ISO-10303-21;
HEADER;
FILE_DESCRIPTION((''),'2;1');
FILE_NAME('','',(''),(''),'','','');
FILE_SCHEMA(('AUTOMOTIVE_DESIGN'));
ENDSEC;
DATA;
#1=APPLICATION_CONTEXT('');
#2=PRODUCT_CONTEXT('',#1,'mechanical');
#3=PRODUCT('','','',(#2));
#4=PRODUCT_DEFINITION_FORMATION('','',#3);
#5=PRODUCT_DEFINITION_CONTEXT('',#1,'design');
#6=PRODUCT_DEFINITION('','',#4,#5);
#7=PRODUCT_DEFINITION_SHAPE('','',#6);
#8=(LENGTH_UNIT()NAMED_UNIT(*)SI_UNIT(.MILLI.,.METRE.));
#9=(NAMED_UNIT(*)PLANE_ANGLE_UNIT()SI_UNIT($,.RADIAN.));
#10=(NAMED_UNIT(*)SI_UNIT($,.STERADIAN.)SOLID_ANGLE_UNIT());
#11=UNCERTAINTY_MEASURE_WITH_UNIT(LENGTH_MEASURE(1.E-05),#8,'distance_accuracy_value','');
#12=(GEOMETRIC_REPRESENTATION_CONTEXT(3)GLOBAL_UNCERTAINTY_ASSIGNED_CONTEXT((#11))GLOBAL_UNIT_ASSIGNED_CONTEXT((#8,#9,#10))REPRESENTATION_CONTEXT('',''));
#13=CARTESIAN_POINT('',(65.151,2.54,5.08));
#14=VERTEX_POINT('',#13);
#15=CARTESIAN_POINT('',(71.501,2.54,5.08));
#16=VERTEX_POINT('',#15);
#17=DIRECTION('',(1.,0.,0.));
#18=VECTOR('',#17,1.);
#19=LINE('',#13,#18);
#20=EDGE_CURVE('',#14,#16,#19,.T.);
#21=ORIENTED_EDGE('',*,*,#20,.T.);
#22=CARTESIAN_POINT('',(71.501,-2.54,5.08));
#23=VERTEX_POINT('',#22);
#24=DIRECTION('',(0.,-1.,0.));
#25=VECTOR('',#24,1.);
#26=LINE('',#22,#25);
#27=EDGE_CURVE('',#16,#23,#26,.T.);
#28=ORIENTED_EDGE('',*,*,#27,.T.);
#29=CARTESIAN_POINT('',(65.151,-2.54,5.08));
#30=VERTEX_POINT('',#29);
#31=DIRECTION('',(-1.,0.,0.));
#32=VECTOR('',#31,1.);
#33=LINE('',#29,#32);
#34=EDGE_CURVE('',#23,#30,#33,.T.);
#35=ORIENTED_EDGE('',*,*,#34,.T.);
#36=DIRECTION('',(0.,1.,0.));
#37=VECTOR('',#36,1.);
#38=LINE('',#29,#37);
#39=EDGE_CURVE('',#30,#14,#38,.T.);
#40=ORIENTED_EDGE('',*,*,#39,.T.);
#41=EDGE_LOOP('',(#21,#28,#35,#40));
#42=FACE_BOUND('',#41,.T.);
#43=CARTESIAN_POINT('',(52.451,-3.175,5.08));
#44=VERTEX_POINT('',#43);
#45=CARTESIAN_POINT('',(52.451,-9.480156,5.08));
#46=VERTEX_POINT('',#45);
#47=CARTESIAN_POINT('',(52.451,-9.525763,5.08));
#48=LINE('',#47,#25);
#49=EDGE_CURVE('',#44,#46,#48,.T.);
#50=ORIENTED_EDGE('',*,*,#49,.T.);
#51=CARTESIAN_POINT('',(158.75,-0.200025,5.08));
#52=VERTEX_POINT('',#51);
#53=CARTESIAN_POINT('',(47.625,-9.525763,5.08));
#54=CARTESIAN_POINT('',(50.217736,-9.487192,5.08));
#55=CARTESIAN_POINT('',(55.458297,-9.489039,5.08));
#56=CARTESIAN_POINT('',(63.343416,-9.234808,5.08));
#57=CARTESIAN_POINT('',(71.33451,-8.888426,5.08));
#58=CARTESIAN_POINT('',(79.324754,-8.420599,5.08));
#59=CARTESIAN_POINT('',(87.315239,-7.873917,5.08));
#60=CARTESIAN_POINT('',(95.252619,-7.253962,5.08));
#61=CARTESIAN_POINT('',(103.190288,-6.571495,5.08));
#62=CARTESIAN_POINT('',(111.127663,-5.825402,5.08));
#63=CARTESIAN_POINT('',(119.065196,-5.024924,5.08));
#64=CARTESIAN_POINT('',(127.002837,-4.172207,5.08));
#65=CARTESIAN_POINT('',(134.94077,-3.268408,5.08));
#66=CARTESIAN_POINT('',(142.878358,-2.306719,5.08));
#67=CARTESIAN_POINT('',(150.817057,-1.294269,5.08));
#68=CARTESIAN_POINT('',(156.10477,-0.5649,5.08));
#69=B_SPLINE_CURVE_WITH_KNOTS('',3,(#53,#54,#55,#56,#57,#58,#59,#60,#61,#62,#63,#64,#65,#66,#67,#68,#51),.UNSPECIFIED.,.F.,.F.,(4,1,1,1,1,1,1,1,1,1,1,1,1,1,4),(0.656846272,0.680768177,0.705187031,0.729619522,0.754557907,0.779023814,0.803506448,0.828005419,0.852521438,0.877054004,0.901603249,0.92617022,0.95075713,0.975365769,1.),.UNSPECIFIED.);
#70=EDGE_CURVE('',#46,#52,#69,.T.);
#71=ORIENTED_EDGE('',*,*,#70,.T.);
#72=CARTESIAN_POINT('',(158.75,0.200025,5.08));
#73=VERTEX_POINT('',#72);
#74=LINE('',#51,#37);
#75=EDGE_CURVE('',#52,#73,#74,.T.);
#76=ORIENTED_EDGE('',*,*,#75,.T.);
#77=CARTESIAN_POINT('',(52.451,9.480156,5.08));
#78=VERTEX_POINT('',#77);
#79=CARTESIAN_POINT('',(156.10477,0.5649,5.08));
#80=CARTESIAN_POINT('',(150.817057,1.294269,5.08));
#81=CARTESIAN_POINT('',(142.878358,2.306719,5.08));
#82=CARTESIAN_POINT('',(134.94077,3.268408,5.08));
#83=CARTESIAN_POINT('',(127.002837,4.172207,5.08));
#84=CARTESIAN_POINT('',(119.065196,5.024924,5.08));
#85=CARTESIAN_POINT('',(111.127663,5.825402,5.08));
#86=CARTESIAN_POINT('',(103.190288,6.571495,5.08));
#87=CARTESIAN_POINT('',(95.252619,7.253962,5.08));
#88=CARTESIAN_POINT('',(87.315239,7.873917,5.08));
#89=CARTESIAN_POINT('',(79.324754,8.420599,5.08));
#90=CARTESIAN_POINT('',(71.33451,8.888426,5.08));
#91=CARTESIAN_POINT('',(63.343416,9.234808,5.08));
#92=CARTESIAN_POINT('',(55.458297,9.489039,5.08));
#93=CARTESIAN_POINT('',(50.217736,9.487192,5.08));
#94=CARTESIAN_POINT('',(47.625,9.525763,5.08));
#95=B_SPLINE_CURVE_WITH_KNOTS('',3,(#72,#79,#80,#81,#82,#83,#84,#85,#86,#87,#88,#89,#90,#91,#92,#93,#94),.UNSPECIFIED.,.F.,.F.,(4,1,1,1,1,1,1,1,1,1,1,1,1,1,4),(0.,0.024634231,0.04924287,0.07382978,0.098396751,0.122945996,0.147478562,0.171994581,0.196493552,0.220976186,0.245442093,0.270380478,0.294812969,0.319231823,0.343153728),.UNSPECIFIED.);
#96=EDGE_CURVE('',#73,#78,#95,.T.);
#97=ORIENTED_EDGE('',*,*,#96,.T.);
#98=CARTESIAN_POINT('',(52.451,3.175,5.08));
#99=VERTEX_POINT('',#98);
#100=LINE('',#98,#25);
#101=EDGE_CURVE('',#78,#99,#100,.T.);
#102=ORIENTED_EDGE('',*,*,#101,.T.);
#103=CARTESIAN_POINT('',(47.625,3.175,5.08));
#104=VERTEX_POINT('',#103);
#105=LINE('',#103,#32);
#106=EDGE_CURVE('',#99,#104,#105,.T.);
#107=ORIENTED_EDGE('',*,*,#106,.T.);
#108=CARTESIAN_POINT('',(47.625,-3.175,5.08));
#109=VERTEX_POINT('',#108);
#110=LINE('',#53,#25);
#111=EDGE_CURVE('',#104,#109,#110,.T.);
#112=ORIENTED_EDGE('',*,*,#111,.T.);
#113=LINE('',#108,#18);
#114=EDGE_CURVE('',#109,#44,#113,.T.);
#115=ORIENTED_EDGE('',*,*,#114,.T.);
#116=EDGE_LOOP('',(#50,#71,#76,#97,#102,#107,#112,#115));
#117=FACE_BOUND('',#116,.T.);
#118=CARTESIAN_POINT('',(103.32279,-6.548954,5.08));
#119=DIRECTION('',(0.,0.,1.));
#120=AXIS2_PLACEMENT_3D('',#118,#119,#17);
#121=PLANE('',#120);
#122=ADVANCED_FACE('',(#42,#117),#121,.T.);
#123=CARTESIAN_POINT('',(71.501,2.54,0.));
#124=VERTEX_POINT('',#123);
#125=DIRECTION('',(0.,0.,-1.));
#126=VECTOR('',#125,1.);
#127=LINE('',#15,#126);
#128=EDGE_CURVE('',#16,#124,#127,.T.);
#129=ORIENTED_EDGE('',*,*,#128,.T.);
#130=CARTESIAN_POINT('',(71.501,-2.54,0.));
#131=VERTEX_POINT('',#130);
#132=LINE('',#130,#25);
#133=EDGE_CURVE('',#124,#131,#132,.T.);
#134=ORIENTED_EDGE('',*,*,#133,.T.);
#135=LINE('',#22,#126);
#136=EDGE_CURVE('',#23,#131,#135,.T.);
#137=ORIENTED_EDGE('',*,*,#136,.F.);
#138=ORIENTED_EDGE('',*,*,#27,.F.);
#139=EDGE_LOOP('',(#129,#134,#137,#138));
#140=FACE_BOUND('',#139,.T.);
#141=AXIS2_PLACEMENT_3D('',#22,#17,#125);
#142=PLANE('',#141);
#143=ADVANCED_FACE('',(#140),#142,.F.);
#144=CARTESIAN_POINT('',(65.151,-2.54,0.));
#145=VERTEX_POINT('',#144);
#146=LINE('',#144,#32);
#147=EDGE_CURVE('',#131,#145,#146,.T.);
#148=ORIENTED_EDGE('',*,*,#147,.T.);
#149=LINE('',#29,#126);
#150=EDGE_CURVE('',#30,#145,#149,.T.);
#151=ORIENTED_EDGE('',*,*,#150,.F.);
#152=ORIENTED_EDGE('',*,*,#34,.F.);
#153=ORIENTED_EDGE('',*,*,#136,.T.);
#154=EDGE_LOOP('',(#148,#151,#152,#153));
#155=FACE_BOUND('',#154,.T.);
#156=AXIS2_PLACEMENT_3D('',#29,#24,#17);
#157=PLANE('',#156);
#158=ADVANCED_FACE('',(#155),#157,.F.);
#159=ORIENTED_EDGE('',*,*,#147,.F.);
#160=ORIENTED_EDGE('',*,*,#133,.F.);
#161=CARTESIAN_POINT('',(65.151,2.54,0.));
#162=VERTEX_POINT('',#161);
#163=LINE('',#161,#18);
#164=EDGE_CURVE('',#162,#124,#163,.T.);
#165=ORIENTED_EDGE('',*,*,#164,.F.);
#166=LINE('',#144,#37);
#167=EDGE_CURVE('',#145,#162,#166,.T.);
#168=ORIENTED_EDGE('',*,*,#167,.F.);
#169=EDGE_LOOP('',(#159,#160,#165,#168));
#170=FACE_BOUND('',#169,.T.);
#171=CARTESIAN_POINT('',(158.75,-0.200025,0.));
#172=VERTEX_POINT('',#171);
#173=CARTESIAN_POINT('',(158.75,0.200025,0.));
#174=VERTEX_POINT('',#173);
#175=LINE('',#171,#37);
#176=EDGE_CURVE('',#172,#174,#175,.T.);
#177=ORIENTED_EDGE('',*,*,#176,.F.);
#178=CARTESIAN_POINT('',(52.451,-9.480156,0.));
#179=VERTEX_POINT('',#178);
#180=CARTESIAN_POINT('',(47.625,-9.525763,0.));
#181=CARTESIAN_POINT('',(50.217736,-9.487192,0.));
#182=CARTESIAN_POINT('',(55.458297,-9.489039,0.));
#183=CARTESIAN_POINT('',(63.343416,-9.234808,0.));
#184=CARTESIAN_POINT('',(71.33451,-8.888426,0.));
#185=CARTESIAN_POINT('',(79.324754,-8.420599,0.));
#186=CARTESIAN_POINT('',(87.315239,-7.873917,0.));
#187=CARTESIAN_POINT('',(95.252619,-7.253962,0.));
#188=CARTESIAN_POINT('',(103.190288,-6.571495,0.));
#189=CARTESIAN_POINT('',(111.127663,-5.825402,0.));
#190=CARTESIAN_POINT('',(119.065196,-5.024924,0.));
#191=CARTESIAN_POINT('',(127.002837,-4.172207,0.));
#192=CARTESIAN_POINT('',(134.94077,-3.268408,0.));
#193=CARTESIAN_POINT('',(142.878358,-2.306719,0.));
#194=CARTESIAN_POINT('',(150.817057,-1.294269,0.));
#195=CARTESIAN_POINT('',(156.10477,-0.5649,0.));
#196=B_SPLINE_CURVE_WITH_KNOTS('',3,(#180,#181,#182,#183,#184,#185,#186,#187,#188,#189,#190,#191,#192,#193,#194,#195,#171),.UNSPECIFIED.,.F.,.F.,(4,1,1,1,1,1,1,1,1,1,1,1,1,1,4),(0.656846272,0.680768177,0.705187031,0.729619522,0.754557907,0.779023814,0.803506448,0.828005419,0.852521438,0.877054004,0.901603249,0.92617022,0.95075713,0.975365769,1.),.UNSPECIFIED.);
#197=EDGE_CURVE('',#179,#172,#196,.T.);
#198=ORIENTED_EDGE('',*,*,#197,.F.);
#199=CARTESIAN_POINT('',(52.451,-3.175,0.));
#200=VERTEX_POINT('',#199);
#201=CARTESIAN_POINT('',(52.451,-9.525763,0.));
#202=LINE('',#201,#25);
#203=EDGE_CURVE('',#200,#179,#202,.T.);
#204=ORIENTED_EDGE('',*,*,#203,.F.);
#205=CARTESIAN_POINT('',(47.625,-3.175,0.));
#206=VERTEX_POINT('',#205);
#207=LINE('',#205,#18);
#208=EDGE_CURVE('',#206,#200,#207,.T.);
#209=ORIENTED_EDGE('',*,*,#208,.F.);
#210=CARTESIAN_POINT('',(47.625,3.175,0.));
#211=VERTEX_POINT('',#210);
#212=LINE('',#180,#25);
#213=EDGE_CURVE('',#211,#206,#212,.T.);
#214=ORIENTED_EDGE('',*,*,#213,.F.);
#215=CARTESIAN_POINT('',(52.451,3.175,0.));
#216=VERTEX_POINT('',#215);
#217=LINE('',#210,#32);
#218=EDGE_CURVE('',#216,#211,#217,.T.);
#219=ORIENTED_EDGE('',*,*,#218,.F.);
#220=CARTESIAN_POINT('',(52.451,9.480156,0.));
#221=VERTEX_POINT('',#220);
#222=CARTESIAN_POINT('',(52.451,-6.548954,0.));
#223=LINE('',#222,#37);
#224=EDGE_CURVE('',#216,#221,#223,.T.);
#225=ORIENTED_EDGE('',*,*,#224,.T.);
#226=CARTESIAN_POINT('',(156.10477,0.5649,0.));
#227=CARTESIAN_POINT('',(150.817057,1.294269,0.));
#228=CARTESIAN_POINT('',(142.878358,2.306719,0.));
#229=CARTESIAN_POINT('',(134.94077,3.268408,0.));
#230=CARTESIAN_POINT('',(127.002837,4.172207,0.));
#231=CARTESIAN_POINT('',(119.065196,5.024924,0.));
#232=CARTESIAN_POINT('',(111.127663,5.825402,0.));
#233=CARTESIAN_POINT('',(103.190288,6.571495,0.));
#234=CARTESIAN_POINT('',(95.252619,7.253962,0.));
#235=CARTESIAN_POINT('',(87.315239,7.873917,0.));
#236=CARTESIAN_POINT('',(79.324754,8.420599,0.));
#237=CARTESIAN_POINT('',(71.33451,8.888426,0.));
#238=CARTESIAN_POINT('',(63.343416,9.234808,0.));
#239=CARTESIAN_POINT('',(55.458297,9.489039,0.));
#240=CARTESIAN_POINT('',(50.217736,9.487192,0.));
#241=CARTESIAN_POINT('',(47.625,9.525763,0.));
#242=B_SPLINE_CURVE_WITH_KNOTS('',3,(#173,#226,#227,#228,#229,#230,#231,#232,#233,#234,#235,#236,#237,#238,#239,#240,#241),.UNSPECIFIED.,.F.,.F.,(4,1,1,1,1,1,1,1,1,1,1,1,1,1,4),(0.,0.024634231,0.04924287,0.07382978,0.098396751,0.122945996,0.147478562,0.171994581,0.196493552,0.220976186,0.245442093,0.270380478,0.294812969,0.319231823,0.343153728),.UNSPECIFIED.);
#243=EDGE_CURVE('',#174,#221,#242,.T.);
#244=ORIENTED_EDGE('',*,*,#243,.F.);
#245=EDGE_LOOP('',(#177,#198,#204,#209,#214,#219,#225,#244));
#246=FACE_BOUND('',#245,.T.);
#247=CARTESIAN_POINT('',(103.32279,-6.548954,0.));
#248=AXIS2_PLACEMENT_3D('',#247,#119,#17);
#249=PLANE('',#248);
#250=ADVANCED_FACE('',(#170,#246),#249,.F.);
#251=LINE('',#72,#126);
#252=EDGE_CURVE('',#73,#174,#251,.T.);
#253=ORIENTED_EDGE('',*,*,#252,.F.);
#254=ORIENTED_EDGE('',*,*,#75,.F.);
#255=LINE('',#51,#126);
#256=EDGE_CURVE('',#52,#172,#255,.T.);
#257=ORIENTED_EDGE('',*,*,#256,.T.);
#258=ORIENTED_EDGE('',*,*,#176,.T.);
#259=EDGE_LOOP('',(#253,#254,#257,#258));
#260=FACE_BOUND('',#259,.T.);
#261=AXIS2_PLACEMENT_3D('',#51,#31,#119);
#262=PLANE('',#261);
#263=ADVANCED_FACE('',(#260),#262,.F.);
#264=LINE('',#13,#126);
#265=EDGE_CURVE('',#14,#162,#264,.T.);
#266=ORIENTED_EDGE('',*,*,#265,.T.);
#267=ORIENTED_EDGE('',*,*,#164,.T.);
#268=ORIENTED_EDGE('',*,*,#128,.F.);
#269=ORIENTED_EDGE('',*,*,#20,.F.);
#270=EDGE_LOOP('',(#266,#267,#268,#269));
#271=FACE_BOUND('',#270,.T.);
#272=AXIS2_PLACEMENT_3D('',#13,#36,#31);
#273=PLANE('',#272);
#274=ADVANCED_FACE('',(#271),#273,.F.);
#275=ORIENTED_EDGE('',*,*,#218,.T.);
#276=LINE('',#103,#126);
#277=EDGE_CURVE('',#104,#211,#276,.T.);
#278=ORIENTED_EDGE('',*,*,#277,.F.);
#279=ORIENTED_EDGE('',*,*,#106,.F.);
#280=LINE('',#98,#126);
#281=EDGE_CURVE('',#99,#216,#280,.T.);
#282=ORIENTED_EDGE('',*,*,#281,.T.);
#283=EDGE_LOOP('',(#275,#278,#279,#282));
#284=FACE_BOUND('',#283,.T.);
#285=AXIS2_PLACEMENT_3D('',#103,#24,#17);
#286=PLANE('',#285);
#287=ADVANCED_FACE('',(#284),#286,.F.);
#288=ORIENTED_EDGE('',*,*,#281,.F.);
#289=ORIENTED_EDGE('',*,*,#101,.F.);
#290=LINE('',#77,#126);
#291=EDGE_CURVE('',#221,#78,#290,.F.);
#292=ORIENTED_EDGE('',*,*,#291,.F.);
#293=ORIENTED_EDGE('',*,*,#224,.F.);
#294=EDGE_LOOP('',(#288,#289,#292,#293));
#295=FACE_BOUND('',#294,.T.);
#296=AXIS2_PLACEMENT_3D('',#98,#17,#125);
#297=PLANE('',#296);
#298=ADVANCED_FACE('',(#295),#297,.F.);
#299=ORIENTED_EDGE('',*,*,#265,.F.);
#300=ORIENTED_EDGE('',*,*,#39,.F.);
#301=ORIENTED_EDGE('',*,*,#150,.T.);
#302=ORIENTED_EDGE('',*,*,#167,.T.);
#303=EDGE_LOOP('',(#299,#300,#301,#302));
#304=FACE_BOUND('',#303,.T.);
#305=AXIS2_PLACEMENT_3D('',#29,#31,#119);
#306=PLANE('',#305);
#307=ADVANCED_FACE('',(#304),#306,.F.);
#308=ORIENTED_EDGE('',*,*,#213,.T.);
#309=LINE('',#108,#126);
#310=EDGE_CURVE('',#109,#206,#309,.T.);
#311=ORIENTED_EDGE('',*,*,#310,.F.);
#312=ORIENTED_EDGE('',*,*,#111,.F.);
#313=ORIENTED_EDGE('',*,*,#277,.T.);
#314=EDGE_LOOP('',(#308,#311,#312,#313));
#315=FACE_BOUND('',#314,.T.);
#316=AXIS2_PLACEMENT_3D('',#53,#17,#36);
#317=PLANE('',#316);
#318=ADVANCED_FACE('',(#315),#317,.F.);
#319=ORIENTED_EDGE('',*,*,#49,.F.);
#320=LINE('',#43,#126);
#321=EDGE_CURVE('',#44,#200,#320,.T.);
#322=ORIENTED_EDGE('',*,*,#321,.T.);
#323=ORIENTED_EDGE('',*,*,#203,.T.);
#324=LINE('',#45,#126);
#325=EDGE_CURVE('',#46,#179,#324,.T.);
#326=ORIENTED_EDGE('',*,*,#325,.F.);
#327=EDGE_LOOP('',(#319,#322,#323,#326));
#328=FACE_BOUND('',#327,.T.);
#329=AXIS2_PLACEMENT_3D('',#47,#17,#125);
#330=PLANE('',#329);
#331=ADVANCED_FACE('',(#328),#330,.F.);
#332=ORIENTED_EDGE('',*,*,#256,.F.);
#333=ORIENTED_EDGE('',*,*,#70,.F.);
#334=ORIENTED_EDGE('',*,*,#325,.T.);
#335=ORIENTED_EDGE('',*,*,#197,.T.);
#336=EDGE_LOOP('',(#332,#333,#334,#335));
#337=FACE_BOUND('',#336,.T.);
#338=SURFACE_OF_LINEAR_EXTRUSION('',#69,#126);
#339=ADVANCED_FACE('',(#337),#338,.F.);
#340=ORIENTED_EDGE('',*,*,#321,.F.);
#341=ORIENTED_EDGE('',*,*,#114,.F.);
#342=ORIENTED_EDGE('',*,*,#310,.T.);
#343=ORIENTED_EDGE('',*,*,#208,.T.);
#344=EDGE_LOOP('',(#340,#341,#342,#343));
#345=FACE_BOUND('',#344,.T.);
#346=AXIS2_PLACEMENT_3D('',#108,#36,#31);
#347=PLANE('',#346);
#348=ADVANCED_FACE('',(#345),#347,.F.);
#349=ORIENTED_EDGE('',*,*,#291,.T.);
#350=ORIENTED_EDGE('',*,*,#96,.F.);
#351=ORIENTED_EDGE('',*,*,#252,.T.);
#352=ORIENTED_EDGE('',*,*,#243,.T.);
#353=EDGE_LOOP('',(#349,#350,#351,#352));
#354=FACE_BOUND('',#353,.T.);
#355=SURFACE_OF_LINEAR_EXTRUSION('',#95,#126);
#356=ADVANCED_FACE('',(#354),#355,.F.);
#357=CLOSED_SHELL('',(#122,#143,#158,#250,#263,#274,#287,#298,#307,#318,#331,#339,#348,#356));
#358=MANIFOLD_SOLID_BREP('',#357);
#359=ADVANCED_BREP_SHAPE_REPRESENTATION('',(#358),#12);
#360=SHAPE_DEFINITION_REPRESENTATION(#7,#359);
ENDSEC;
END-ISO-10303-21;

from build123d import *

# Parameters (mm, degrees)
BOSS_EXTRUDE1_DEPTH = 5.08
SKETCH3_W           = 4.826
SKETCH3_H           = 6.35076331
SKETCH3_W_2         = 6.35
SKETCH3_H_2         = 5.08
CUT_EXTRUDE1_DEPTH  = 6.0800001


with BuildPart() as part:
    # Sketch2 → Boss-Extrude1 (new body)
    with BuildSketch(Plane.XY):
        with BuildLine():
            Line((158.75, -0.200025), (158.75, 0.200025))
            add(Edge.make_bspline(
                [(158.75, 0.200025), (156.104769639, 0.564899501), (150.817056987, 1.294269442), (142.878358215, 2.306719234), (134.940769513, 3.268408227), (127.002836924, 4.172206586), (119.065195908, 5.02492376), (111.127662782, 5.825402282), (103.190287717, 6.571495389), (95.252619427, 7.253962327), (87.315238521, 7.873917198), (79.324754405, 8.420599463), (71.334509538, 8.88842609), (63.343416227, 9.23480821), (55.458296632, 9.48903948), (50.217735657, 9.487192482), (47.625, 9.52576331)],
                knots=[0, 0, 0, 0, 0.024634231, 0.04924287, 0.07382978, 0.098396751, 0.122945996, 0.147478562, 0.171994581, 0.196493552, 0.220976186, 0.245442093, 0.270380478, 0.294812969, 0.319231823, 0.343153728, 0.343153728, 0.343153728, 0.343153728], degree=3))
            Line((47.625, 9.52576331), (47.625, -9.52576331))
            add(Edge.make_bspline(
                [(47.625, -9.52576331), (50.217735657, -9.487192482), (55.458296632, -9.48903948), (63.343416227, -9.23480821), (71.334509538, -8.88842609), (79.324754405, -8.420599463), (87.315238521, -7.873917198), (95.252619427, -7.253962327), (103.190287717, -6.571495389), (111.127662782, -5.825402282), (119.065195908, -5.02492376), (127.002836924, -4.172206586), (134.940769513, -3.268408227), (142.878358215, -2.306719234), (150.817056987, -1.294269442), (156.104769639, -0.564899501), (158.75, -0.200025)],
                knots=[0.656846272, 0.656846272, 0.656846272, 0.656846272, 0.680768177, 0.705187031, 0.729619522, 0.754557907, 0.779023814, 0.803506448, 0.828005419, 0.852521438, 0.877054004, 0.901603249, 0.92617022, 0.95075713, 0.975365769, 1, 1, 1, 1], degree=3))
        make_face()
    extrude(amount=BOSS_EXTRUDE1_DEPTH)

    # Sketch3 → Cut-Extrude1 (cut, through all)
    with BuildSketch(Plane(origin=(0, 0, 0), x_dir=(-1, 0, 0), z_dir=(0, 0, -1))):
        with Locations((-50.038, -6.350381655)):
            Rectangle(SKETCH3_W, SKETCH3_H)
        with Locations((-50.038, 6.350381655)):
            Rectangle(SKETCH3_W, SKETCH3_H)
        with Locations((-68.326, 0)):
            Rectangle(SKETCH3_W_2, SKETCH3_H_2)
    extrude(amount=-CUT_EXTRUDE1_DEPTH, mode=Mode.SUBTRACT)


solid = part.part
